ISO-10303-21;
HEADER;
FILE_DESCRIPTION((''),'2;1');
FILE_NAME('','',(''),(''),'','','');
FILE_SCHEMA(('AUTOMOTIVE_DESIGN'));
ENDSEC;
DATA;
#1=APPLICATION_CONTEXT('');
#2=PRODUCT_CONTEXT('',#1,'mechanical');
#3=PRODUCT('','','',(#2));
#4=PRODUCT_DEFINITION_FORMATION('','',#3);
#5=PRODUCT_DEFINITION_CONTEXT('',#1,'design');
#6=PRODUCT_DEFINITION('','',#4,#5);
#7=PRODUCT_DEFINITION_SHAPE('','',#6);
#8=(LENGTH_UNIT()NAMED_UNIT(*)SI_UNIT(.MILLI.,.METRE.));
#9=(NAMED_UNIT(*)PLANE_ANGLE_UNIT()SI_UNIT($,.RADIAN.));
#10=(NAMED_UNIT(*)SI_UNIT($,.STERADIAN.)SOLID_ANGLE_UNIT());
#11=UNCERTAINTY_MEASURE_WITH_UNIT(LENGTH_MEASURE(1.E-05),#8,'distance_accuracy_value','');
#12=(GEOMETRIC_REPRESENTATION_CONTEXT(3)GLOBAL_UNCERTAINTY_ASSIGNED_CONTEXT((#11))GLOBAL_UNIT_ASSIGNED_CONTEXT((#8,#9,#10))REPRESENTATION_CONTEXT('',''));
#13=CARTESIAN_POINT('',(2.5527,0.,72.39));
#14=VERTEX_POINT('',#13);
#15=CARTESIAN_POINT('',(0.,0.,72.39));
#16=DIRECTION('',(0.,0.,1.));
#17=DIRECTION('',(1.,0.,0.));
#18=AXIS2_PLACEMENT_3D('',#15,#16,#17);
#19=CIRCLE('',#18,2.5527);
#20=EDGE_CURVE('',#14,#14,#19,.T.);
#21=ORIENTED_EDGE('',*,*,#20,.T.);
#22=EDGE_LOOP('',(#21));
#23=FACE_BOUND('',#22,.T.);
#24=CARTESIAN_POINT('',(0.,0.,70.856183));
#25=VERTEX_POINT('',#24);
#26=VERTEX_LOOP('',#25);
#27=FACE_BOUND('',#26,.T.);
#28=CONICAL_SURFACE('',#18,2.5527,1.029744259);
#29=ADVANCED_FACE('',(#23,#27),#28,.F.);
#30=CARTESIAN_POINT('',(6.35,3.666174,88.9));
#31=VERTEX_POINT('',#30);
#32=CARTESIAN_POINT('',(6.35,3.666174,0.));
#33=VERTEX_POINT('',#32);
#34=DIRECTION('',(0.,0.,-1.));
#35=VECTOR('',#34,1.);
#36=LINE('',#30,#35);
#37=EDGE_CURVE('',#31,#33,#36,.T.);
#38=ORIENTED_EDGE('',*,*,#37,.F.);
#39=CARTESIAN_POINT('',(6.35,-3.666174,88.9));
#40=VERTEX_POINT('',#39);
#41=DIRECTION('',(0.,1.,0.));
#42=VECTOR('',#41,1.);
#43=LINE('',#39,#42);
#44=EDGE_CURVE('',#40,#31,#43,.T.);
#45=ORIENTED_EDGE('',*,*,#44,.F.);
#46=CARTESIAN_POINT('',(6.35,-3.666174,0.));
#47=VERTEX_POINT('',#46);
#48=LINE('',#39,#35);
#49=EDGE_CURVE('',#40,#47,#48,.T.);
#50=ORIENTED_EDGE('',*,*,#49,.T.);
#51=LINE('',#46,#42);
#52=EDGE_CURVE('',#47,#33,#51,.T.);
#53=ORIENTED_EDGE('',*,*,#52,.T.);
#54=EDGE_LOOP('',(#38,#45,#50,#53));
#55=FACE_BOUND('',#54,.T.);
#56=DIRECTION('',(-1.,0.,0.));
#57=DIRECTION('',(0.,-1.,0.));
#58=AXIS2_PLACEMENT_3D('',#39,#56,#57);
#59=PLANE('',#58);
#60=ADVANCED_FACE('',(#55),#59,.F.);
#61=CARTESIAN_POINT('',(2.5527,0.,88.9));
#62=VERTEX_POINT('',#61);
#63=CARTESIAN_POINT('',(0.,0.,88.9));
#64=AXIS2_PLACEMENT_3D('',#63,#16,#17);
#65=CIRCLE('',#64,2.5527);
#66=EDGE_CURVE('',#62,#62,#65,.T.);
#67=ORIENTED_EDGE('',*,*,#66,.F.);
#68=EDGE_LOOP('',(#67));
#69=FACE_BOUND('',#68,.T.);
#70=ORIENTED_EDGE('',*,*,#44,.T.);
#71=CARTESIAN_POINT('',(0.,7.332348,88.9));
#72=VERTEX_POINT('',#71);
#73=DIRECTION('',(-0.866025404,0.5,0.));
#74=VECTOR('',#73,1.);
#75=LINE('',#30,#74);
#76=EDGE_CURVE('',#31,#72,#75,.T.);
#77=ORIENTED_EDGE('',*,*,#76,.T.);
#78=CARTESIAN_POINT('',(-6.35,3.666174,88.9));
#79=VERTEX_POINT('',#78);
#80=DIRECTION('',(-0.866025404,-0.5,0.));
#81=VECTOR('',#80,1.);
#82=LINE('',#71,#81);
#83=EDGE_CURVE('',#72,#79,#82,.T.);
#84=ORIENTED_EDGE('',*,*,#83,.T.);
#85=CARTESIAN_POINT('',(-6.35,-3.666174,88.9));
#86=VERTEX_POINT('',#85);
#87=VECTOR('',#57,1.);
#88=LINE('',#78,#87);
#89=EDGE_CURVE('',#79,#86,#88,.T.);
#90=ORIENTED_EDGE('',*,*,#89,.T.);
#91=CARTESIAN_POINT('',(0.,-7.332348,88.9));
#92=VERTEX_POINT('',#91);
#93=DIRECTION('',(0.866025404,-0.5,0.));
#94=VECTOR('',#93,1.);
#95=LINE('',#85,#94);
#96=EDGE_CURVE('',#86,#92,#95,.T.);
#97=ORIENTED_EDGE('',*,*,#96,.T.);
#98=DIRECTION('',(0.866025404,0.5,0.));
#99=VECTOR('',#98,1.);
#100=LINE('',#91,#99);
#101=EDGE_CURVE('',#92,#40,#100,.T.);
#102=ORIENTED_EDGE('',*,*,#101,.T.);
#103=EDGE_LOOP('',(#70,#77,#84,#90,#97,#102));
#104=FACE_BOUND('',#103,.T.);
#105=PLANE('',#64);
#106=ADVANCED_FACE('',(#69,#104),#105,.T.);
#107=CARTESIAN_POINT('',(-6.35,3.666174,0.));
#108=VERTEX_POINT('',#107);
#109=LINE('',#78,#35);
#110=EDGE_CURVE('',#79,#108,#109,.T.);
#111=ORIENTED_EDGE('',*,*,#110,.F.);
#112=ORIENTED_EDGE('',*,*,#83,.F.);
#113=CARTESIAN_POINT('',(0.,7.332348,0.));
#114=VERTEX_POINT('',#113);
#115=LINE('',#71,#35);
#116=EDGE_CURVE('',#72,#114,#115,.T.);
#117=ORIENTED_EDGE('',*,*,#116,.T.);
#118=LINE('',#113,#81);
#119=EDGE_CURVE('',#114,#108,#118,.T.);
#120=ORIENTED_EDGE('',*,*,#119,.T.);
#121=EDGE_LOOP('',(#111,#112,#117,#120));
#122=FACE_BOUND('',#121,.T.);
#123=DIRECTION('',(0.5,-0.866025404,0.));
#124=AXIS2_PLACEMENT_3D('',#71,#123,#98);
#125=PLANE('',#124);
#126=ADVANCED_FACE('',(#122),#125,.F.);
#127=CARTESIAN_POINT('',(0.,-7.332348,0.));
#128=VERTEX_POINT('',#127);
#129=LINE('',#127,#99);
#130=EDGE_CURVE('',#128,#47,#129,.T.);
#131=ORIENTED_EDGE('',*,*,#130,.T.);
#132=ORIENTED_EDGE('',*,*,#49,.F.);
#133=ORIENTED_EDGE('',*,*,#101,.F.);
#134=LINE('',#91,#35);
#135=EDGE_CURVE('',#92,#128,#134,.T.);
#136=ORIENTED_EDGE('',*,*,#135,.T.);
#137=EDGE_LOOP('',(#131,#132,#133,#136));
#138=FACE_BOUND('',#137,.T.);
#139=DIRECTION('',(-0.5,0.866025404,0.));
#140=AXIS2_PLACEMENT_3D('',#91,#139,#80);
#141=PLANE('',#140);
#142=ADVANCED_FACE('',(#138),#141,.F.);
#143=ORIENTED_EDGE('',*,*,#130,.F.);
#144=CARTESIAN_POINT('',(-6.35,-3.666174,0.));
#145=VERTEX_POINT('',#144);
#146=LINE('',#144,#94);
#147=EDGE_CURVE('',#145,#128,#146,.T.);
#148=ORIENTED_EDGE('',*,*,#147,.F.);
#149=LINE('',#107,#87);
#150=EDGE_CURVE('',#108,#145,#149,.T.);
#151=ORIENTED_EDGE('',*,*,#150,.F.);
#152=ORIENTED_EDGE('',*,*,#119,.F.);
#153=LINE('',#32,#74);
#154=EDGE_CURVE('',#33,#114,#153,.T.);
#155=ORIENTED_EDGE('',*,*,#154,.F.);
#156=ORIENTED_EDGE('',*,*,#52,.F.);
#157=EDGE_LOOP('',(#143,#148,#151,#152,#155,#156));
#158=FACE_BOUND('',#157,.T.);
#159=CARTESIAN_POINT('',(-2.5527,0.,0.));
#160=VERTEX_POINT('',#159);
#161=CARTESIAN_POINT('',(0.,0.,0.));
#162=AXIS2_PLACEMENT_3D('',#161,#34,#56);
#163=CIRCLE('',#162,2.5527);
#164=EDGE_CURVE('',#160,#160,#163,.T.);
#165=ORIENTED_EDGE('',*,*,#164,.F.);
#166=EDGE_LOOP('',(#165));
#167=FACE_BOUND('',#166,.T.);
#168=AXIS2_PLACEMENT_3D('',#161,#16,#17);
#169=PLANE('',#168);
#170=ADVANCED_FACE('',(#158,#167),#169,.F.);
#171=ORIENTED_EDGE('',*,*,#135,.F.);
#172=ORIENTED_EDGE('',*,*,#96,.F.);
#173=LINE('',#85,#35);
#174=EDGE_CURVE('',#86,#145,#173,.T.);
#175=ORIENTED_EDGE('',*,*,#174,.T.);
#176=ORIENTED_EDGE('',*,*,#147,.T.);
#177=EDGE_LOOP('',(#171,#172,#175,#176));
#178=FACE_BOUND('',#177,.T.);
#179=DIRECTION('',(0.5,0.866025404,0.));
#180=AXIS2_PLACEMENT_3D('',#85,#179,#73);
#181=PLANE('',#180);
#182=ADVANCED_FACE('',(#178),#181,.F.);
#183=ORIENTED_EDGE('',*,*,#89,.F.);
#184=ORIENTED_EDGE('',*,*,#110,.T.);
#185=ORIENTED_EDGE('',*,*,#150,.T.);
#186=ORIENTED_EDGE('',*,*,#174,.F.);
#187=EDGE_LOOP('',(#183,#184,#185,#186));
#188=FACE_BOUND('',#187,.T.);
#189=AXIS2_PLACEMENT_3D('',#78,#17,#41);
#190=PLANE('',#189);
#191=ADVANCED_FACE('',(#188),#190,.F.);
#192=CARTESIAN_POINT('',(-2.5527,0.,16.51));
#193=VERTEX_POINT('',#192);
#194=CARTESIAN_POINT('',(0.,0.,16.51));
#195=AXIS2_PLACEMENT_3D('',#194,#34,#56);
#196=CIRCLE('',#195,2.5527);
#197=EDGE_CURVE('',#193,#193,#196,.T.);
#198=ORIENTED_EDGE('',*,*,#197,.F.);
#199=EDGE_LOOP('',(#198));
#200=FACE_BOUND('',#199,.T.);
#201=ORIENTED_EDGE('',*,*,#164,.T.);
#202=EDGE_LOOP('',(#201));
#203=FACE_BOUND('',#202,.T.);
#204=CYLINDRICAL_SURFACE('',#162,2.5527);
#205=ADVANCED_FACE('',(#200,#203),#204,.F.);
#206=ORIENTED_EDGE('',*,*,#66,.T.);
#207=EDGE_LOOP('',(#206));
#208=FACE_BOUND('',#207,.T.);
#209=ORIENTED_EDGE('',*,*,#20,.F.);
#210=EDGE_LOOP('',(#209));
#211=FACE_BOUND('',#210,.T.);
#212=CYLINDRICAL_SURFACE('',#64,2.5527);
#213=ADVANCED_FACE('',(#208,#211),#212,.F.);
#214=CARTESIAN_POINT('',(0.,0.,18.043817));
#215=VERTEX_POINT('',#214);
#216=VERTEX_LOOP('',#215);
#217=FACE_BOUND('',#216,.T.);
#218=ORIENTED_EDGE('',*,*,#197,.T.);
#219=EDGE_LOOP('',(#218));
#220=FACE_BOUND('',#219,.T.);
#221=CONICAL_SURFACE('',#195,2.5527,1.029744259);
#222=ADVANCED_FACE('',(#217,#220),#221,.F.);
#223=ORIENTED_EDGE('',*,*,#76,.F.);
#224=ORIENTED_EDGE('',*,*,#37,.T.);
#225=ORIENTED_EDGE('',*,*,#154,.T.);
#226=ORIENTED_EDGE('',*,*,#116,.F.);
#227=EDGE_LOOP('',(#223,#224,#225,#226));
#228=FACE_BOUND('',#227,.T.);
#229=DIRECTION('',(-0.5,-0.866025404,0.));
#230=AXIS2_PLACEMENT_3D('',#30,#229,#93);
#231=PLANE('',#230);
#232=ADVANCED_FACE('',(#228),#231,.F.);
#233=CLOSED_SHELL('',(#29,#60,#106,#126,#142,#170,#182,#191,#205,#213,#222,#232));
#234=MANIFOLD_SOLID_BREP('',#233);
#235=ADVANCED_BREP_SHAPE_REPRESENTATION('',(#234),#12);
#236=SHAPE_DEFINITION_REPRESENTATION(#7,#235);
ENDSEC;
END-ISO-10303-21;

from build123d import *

# Parameters (mm, degrees)
BOSS_EXTRUDE1_DEPTH         = 88.9
F_1_4_20_TAPPED_HOLE1_D     = 5.1054
F_1_4_20_TAPPED_HOLE1_DEPTH = 16.51
F_1_4_20_TAPPED_HOLE1_TIP   = 1.533816902
F_1_4_20_TAPPED_HOLE2_D     = 5.1054
F_1_4_20_TAPPED_HOLE2_DEPTH = 16.51
F_1_4_20_TAPPED_HOLE2_TIP   = 1.533816902


with BuildPart() as part:
    # Sketch1 → Boss-Extrude1 (new body)
    with BuildSketch(Plane.XY):
        Polygon((6.35, 3.666174209), (0, 7.332348419), (-6.35, 3.666174209), (-6.35, -3.666174209), (0, -7.332348419), (6.35, -3.666174209), align=None)
    extrude(amount=BOSS_EXTRUDE1_DEPTH)

    # 1/4-20 Tapped Hole1
    with Locations(Plane.XY.offset(88.9)):
        with Locations((0, 0)):
            Hole(F_1_4_20_TAPPED_HOLE1_D / 2, depth=F_1_4_20_TAPPED_HOLE1_DEPTH)
            with Locations((0, 0, -(F_1_4_20_TAPPED_HOLE1_DEPTH + F_1_4_20_TAPPED_HOLE1_TIP / 2))):  # 118° drill point
                Cone(0, F_1_4_20_TAPPED_HOLE1_D / 2, F_1_4_20_TAPPED_HOLE1_TIP, mode=Mode.SUBTRACT)

    # 1/4-20 Tapped Hole2
    with Locations(Plane(origin=(0, 0, 0), x_dir=(-1, 0, 0), z_dir=(0, 0, -1))):
        with Locations((0, 0)):
            Hole(F_1_4_20_TAPPED_HOLE2_D / 2, depth=F_1_4_20_TAPPED_HOLE2_DEPTH)
            with Locations((0, 0, -(F_1_4_20_TAPPED_HOLE2_DEPTH + F_1_4_20_TAPPED_HOLE2_TIP / 2))):  # 118° drill point
                Cone(0, F_1_4_20_TAPPED_HOLE2_D / 2, F_1_4_20_TAPPED_HOLE2_TIP, mode=Mode.SUBTRACT)


solid = part.part
